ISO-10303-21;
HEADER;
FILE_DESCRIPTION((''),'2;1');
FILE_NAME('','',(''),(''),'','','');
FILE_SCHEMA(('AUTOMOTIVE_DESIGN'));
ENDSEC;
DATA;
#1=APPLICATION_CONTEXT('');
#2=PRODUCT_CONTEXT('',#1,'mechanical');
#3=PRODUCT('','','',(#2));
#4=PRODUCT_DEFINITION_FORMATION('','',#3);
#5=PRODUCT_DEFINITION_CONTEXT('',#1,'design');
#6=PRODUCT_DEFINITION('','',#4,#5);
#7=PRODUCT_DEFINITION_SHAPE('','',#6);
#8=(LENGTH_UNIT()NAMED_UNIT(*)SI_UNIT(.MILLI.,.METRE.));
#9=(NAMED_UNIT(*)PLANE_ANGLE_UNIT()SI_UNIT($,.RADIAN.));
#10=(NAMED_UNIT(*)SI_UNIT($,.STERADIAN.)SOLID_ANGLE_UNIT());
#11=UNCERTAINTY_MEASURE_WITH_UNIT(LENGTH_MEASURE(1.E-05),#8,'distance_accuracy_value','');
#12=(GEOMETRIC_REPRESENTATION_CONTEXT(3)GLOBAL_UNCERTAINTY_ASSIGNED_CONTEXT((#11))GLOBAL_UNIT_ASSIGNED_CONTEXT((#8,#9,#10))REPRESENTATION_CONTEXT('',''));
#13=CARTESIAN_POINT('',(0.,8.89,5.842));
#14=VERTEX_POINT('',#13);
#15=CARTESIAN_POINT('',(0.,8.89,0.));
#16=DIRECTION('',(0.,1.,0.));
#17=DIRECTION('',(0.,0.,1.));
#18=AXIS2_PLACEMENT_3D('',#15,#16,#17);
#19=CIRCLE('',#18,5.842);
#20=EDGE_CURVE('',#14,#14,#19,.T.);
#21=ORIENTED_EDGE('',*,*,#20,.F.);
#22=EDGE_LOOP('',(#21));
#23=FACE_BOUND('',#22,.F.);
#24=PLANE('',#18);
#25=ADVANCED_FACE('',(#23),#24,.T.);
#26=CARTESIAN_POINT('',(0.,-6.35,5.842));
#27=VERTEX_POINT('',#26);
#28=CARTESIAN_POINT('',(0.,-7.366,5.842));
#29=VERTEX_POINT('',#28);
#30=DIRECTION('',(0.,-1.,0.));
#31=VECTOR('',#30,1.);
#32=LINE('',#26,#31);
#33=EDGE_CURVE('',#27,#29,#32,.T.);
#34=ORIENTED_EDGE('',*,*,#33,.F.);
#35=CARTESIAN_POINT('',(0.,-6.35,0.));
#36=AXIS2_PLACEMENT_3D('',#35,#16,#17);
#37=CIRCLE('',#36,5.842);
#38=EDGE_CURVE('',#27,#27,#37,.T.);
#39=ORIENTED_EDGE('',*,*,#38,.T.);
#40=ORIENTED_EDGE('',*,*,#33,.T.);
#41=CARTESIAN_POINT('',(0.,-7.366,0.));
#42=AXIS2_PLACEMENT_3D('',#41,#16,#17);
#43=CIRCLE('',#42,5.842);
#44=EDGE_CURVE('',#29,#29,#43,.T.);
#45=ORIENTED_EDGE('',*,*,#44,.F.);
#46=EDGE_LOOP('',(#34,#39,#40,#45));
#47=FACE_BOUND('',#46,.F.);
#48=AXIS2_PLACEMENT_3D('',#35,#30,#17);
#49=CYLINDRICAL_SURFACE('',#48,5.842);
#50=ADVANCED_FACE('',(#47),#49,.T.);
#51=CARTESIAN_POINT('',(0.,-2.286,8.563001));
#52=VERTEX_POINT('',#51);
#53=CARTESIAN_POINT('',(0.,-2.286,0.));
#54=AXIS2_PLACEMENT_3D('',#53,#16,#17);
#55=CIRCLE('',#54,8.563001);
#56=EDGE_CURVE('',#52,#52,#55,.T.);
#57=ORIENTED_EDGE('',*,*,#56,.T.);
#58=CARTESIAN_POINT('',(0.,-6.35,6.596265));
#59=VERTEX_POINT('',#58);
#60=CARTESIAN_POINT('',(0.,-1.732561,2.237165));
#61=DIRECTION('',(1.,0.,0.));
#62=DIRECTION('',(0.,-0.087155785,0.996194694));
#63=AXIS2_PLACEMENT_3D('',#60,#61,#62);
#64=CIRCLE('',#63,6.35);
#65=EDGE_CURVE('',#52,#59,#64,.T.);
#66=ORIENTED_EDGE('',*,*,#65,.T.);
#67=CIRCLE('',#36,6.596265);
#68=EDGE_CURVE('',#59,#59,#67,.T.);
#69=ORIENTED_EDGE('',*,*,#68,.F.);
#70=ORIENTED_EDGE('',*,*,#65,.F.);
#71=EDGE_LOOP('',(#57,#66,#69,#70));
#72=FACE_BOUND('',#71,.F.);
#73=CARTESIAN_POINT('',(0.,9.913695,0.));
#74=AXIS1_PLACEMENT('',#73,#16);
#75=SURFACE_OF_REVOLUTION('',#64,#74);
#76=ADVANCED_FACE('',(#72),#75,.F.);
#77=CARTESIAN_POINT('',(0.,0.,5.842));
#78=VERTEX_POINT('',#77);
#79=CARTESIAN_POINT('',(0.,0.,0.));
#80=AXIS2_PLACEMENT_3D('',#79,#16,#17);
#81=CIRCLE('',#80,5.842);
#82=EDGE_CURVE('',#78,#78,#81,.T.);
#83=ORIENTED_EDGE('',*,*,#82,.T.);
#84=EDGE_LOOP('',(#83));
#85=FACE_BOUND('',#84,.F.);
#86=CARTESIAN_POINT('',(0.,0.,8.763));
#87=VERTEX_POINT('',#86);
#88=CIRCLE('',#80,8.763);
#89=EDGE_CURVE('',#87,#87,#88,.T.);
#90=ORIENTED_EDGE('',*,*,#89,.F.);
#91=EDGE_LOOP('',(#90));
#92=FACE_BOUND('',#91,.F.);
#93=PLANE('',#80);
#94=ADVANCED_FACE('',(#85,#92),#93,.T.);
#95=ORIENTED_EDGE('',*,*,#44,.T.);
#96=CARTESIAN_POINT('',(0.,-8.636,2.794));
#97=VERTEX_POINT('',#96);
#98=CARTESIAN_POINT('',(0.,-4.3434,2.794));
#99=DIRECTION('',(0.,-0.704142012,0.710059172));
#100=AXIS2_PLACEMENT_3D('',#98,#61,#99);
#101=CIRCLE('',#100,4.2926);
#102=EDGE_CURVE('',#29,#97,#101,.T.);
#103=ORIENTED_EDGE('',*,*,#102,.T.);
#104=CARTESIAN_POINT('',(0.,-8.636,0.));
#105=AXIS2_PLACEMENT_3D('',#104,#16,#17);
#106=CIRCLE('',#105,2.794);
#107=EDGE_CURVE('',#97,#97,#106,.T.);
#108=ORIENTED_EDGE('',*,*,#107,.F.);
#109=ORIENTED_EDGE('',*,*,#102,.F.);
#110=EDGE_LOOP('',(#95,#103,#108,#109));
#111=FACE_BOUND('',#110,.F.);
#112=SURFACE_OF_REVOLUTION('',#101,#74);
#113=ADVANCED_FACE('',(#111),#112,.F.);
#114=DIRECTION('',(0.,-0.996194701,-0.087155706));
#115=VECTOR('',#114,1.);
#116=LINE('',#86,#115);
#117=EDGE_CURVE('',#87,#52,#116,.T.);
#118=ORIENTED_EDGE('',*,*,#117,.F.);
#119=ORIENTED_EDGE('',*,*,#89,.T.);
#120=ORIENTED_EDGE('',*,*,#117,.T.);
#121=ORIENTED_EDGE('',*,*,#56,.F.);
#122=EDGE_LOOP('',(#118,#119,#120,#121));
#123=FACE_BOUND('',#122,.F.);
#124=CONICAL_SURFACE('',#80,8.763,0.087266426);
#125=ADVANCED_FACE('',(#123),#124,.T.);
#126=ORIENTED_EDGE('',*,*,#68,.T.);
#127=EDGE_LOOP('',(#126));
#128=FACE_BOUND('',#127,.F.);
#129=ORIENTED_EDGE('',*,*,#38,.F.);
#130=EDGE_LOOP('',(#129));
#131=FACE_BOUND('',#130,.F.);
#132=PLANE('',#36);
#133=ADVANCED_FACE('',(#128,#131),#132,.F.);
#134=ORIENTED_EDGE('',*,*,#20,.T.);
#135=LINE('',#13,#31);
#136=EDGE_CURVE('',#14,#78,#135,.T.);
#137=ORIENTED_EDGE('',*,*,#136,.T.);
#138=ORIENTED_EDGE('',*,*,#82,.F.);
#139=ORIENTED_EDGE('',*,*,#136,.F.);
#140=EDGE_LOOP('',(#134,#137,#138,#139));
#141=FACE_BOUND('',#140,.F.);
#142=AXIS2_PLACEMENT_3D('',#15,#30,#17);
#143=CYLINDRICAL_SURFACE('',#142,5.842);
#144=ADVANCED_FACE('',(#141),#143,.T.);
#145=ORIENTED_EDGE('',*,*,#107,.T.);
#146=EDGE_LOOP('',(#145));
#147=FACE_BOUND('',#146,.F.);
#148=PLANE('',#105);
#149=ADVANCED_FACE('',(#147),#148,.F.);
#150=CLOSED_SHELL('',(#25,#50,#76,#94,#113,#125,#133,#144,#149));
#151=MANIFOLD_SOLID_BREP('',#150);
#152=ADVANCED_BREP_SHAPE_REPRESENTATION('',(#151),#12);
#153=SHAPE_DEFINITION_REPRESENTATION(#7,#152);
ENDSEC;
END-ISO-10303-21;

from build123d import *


with BuildPart() as f1:
    # F0 (on Right) → F1 (revolve)
    with BuildSketch(Plane.YZ):
        with BuildLine():
            Line((-8.636, 0), (8.89, 0))
            Line((8.89, 0), (8.89, 5.842))
            Line((8.89, 5.842), (0, 5.842))
            Line((0, 5.842), (0, 8.763))
            Line((0, 8.763), (-2.286, 8.563001))
            ThreePointArc((-2.286, 8.563001), (-4.498697, 7.953019), (-6.35, 6.596265))
            Line((-6.35, 6.596265), (-6.35, 5.842))
            Line((-6.35, 5.842), (-7.366, 5.842))
            ThreePointArc((-7.366, 5.842), (-8.3058, 4.445), (-8.636, 2.794))
            Line((-8.636, 2.794), (-8.636, 0))
        make_face()
    revolve(axis=Axis((0, 9.913695, 0), (0, 1, 0)))


solid = f1.part
